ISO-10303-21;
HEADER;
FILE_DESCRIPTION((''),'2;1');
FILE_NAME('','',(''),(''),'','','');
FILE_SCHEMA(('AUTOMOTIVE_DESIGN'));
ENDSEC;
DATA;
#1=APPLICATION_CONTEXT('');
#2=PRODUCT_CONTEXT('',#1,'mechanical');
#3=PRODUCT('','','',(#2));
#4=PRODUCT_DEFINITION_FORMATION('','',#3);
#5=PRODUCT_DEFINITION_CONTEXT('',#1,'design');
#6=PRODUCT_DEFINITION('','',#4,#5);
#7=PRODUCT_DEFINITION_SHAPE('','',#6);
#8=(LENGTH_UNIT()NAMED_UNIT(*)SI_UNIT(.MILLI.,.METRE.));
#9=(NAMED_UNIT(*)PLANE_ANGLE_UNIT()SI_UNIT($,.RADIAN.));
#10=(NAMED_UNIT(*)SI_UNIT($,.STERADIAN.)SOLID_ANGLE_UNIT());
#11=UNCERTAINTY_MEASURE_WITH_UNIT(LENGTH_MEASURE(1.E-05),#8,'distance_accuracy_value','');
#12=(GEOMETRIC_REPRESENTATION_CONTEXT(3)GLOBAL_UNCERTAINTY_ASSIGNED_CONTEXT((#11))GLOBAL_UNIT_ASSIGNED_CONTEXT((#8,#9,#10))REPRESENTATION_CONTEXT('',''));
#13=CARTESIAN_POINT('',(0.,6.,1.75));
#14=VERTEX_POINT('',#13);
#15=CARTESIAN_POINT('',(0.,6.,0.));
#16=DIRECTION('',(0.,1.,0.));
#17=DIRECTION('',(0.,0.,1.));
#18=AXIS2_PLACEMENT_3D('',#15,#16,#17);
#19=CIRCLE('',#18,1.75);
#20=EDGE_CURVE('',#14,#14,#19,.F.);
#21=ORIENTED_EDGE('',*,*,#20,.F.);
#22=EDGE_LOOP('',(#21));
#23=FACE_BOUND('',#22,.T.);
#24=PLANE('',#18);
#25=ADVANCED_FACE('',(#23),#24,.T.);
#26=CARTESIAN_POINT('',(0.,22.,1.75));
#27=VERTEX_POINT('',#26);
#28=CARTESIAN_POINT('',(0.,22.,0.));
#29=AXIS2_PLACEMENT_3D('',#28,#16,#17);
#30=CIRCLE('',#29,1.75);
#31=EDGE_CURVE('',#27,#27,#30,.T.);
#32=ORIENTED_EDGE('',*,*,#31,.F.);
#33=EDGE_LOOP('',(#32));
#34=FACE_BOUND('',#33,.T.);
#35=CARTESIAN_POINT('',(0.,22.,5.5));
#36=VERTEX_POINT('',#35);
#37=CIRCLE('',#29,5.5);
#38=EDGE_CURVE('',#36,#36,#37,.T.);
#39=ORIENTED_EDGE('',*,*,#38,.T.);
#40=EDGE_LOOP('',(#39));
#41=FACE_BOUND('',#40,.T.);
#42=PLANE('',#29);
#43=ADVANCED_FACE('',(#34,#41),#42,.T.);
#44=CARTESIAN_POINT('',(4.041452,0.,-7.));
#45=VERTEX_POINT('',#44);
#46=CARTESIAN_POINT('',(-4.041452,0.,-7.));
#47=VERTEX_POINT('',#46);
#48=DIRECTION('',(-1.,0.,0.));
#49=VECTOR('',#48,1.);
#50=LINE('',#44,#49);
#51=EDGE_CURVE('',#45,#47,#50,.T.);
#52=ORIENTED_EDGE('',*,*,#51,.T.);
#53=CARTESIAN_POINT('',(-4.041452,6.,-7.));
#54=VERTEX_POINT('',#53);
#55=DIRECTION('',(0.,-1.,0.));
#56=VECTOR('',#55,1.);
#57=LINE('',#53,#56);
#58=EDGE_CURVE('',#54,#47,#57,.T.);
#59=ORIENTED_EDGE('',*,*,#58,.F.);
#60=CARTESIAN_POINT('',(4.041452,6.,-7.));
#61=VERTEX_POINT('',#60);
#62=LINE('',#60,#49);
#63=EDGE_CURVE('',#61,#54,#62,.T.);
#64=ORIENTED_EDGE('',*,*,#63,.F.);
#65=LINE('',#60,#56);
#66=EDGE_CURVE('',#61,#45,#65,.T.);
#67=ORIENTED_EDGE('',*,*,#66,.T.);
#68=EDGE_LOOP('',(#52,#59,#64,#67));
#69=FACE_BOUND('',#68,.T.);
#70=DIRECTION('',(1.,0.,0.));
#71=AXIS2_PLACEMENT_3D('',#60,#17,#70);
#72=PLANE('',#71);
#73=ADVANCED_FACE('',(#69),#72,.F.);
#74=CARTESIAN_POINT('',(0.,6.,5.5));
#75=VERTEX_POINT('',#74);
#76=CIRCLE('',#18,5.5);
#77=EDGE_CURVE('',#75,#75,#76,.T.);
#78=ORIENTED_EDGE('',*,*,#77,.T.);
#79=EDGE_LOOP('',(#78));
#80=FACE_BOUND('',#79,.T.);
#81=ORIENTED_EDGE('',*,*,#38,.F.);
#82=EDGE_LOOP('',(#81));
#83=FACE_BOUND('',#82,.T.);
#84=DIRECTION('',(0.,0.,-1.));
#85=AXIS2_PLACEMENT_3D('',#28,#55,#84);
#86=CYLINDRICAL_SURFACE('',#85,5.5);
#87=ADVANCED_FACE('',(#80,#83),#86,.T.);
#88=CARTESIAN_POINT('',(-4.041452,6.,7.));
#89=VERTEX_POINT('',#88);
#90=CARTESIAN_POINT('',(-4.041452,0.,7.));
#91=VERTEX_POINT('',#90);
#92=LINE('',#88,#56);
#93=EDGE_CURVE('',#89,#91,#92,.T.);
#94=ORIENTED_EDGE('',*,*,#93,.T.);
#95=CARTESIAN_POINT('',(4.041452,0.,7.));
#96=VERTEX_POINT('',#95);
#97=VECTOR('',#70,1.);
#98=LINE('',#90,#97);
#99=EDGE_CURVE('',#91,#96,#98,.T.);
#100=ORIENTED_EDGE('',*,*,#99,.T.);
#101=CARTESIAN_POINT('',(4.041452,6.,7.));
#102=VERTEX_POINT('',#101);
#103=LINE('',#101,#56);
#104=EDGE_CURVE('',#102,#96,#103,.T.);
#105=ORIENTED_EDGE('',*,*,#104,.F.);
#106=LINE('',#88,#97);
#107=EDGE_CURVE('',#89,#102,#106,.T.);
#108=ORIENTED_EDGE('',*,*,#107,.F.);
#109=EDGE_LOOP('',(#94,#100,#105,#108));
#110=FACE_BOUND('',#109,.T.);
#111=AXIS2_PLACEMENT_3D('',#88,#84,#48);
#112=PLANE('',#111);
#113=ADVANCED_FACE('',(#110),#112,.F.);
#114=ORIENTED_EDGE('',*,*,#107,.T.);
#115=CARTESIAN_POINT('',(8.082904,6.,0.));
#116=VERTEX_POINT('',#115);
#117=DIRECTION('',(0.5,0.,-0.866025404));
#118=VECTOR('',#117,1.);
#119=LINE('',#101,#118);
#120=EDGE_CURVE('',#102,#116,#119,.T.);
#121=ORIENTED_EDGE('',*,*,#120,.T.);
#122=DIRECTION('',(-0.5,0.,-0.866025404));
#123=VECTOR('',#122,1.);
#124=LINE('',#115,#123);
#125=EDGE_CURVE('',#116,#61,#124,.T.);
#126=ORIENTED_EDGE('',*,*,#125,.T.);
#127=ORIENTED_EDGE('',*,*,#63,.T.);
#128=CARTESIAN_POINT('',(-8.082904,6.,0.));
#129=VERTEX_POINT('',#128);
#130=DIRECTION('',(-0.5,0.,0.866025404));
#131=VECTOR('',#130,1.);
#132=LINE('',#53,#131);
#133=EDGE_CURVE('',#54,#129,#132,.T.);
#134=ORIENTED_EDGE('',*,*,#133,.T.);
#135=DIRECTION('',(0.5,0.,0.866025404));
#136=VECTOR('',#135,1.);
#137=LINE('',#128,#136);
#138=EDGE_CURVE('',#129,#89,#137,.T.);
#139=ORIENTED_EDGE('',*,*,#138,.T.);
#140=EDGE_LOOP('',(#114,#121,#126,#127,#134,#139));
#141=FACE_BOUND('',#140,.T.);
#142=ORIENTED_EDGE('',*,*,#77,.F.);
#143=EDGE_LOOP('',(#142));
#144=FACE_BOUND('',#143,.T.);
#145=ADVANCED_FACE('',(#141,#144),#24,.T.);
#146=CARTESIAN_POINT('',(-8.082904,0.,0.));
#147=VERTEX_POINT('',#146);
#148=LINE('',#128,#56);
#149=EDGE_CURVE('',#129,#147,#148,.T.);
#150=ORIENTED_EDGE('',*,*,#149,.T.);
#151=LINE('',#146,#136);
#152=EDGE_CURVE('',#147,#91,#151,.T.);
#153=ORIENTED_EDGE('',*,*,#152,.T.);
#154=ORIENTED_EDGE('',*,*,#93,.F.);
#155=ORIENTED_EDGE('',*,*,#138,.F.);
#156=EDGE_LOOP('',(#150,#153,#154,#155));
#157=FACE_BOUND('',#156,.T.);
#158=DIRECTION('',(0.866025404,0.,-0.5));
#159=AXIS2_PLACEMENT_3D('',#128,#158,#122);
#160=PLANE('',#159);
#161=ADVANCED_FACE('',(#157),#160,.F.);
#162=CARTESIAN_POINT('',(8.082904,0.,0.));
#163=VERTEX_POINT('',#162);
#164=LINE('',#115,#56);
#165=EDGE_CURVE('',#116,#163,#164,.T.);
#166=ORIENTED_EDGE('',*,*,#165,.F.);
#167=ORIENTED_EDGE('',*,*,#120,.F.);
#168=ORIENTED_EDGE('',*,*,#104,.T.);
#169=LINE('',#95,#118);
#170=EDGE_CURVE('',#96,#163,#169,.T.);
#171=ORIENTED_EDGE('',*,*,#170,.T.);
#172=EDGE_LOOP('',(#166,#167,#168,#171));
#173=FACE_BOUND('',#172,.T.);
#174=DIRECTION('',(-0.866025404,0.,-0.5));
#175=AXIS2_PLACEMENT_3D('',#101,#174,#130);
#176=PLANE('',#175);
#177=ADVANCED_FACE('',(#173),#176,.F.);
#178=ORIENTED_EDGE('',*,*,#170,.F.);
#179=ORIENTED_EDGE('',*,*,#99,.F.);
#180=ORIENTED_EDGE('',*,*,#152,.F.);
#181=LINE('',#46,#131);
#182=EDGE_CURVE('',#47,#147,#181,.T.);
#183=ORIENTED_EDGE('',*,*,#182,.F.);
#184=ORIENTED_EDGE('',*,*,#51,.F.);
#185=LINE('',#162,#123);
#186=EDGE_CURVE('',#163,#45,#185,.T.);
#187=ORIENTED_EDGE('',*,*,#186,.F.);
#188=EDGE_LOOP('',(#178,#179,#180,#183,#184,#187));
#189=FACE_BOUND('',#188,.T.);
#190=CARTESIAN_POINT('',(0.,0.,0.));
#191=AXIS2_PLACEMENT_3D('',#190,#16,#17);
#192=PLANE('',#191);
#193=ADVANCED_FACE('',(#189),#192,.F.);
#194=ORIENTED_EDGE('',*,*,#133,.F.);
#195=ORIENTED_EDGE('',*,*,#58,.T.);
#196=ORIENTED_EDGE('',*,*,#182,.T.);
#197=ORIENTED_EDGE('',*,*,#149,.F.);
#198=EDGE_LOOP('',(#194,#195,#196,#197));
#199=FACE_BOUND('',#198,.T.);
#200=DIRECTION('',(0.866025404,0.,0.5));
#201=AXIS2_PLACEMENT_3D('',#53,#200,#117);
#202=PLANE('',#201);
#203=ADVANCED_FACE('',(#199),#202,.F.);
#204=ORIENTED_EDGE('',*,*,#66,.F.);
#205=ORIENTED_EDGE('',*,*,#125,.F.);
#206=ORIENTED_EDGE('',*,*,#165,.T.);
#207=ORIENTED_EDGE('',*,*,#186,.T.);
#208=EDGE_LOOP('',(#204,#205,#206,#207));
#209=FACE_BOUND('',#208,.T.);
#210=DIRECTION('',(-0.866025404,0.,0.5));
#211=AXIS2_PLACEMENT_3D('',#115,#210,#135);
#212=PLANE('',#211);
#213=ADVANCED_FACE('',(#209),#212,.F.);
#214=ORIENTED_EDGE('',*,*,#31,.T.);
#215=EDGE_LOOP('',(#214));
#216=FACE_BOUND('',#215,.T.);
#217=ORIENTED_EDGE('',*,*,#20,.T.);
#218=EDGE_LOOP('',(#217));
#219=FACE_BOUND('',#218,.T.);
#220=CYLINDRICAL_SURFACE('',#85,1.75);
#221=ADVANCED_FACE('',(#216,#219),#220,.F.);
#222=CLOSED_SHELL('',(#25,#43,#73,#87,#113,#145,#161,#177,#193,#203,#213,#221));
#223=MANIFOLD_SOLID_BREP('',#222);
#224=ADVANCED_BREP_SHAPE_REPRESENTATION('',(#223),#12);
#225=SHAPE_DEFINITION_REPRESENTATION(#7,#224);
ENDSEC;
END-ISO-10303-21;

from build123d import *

# Parameters (mm, degrees)
BOSS_EXTRUDE1_DEPTH = 6
SKETCH2_R           = 5.5
SKETCH2_R_2         = 1.75
BOSS_EXTRUDE2_DEPTH = 16


with BuildPart() as part:
    # Sketch1 → Boss-Extrude1 (new body)
    with BuildSketch(Plane(origin=(0, 0, 0), x_dir=(1, 0, 0), z_dir=(0, 1, 0))):
        Polygon((8.082903769, 0), (4.041451884, 7), (-4.041451884, 7), (-8.082903769, 0), (-4.041451884, -7), (4.041451884, -7), align=None)
    extrude(amount=BOSS_EXTRUDE1_DEPTH)

    # Sketch2 → Boss-Extrude2 (add)
    with BuildSketch(Plane(origin=(0, 6, 0), x_dir=(1, 0, 0), z_dir=(0, 1, 0))):
        Circle(SKETCH2_R)
        Circle(SKETCH2_R_2, mode=Mode.SUBTRACT)
    extrude(amount=BOSS_EXTRUDE2_DEPTH)


solid = part.part
